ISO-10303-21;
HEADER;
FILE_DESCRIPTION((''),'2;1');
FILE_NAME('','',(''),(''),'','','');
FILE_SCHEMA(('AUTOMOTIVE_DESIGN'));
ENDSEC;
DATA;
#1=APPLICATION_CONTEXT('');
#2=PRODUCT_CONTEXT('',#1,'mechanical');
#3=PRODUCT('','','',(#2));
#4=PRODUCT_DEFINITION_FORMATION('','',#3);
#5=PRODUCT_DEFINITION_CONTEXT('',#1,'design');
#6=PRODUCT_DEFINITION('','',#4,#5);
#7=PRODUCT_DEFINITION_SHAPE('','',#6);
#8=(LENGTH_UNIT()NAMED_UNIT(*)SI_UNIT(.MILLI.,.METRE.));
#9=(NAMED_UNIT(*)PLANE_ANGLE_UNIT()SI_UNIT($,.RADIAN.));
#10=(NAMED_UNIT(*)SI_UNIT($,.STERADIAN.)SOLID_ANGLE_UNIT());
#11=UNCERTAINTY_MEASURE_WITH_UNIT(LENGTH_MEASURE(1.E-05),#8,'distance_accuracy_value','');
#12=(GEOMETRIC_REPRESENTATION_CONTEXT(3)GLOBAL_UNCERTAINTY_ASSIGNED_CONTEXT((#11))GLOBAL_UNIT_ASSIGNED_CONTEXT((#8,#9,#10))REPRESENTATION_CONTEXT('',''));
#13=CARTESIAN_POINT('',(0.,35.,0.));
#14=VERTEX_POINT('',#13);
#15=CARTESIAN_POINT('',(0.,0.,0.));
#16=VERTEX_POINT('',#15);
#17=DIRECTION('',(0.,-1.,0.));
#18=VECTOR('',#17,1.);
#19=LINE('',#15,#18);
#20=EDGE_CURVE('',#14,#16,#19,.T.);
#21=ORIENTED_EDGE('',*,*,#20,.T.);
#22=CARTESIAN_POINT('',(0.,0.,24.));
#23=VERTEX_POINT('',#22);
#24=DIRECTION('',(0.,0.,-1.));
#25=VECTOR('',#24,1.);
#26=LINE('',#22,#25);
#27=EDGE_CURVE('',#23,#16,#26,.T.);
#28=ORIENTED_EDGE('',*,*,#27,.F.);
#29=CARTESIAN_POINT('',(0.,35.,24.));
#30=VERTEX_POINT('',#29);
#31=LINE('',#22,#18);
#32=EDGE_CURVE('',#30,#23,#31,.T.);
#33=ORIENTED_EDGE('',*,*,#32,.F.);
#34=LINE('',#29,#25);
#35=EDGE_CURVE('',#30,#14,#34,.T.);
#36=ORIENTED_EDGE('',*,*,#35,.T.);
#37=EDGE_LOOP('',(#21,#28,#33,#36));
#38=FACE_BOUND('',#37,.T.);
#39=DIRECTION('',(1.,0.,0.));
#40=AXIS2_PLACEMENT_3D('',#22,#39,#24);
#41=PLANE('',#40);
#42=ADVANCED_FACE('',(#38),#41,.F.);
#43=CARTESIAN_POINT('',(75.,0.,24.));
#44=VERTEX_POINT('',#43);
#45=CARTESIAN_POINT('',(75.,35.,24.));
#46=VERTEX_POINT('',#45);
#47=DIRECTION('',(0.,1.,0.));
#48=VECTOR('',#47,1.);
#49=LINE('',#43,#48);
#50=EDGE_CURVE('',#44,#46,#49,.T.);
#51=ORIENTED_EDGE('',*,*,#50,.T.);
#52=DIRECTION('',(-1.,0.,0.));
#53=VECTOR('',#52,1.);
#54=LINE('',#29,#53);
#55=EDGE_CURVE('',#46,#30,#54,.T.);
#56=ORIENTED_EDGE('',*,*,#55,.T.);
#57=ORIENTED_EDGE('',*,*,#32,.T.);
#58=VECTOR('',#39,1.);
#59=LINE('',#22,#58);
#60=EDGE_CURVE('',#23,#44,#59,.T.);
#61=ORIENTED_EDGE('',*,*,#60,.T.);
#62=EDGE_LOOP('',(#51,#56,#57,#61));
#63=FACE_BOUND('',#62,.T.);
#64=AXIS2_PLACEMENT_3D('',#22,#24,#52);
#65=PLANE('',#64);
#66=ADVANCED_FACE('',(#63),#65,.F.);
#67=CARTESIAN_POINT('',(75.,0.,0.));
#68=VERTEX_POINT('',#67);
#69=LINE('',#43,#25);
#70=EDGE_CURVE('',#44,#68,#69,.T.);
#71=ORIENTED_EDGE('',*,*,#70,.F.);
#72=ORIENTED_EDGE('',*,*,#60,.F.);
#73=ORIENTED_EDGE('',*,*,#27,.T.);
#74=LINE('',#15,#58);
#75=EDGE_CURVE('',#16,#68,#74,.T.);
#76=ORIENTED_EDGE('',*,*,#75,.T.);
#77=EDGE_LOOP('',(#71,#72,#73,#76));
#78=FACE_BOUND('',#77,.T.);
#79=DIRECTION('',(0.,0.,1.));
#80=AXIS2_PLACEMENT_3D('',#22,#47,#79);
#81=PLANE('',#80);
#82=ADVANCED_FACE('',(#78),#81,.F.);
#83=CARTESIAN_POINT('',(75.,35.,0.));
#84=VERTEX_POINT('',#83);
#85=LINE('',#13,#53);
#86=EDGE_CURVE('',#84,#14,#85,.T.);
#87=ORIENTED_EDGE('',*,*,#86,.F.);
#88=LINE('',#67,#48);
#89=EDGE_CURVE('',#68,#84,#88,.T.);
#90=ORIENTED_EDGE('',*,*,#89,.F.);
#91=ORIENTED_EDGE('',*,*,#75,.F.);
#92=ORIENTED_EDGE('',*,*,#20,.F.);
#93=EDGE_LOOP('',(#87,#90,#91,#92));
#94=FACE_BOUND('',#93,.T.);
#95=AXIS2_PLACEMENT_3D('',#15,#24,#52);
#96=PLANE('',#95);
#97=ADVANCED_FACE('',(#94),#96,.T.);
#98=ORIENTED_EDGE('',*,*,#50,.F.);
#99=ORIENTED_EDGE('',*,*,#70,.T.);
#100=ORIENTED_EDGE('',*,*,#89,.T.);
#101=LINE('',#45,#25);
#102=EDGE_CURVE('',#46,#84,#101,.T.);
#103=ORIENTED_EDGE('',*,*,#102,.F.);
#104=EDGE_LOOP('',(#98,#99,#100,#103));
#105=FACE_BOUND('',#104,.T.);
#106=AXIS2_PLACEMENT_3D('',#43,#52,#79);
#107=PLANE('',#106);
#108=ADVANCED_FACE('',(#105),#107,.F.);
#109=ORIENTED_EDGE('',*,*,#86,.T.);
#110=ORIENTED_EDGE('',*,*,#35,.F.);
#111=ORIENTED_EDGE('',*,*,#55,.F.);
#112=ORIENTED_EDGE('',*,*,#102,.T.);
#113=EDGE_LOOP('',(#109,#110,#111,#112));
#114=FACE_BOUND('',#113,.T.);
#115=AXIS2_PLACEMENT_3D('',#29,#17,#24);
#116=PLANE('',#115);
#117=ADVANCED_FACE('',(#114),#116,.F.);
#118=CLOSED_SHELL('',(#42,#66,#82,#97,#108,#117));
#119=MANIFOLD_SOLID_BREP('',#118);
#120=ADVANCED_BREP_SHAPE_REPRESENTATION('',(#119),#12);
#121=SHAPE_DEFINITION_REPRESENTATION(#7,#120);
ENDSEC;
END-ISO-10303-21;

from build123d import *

# Parameters (mm, degrees)
SKETCH1_W           = 75
SKETCH1_H           = 35
BOSS_EXTRUDE1_DEPTH = 24


with BuildPart() as part:
    # Sketch1 → Boss-Extrude1 (new body)
    with BuildSketch(Plane.XY):
        with Locations((37.5, 17.5)):
            Rectangle(SKETCH1_W, SKETCH1_H)
    extrude(amount=BOSS_EXTRUDE1_DEPTH)


solid = part.part
